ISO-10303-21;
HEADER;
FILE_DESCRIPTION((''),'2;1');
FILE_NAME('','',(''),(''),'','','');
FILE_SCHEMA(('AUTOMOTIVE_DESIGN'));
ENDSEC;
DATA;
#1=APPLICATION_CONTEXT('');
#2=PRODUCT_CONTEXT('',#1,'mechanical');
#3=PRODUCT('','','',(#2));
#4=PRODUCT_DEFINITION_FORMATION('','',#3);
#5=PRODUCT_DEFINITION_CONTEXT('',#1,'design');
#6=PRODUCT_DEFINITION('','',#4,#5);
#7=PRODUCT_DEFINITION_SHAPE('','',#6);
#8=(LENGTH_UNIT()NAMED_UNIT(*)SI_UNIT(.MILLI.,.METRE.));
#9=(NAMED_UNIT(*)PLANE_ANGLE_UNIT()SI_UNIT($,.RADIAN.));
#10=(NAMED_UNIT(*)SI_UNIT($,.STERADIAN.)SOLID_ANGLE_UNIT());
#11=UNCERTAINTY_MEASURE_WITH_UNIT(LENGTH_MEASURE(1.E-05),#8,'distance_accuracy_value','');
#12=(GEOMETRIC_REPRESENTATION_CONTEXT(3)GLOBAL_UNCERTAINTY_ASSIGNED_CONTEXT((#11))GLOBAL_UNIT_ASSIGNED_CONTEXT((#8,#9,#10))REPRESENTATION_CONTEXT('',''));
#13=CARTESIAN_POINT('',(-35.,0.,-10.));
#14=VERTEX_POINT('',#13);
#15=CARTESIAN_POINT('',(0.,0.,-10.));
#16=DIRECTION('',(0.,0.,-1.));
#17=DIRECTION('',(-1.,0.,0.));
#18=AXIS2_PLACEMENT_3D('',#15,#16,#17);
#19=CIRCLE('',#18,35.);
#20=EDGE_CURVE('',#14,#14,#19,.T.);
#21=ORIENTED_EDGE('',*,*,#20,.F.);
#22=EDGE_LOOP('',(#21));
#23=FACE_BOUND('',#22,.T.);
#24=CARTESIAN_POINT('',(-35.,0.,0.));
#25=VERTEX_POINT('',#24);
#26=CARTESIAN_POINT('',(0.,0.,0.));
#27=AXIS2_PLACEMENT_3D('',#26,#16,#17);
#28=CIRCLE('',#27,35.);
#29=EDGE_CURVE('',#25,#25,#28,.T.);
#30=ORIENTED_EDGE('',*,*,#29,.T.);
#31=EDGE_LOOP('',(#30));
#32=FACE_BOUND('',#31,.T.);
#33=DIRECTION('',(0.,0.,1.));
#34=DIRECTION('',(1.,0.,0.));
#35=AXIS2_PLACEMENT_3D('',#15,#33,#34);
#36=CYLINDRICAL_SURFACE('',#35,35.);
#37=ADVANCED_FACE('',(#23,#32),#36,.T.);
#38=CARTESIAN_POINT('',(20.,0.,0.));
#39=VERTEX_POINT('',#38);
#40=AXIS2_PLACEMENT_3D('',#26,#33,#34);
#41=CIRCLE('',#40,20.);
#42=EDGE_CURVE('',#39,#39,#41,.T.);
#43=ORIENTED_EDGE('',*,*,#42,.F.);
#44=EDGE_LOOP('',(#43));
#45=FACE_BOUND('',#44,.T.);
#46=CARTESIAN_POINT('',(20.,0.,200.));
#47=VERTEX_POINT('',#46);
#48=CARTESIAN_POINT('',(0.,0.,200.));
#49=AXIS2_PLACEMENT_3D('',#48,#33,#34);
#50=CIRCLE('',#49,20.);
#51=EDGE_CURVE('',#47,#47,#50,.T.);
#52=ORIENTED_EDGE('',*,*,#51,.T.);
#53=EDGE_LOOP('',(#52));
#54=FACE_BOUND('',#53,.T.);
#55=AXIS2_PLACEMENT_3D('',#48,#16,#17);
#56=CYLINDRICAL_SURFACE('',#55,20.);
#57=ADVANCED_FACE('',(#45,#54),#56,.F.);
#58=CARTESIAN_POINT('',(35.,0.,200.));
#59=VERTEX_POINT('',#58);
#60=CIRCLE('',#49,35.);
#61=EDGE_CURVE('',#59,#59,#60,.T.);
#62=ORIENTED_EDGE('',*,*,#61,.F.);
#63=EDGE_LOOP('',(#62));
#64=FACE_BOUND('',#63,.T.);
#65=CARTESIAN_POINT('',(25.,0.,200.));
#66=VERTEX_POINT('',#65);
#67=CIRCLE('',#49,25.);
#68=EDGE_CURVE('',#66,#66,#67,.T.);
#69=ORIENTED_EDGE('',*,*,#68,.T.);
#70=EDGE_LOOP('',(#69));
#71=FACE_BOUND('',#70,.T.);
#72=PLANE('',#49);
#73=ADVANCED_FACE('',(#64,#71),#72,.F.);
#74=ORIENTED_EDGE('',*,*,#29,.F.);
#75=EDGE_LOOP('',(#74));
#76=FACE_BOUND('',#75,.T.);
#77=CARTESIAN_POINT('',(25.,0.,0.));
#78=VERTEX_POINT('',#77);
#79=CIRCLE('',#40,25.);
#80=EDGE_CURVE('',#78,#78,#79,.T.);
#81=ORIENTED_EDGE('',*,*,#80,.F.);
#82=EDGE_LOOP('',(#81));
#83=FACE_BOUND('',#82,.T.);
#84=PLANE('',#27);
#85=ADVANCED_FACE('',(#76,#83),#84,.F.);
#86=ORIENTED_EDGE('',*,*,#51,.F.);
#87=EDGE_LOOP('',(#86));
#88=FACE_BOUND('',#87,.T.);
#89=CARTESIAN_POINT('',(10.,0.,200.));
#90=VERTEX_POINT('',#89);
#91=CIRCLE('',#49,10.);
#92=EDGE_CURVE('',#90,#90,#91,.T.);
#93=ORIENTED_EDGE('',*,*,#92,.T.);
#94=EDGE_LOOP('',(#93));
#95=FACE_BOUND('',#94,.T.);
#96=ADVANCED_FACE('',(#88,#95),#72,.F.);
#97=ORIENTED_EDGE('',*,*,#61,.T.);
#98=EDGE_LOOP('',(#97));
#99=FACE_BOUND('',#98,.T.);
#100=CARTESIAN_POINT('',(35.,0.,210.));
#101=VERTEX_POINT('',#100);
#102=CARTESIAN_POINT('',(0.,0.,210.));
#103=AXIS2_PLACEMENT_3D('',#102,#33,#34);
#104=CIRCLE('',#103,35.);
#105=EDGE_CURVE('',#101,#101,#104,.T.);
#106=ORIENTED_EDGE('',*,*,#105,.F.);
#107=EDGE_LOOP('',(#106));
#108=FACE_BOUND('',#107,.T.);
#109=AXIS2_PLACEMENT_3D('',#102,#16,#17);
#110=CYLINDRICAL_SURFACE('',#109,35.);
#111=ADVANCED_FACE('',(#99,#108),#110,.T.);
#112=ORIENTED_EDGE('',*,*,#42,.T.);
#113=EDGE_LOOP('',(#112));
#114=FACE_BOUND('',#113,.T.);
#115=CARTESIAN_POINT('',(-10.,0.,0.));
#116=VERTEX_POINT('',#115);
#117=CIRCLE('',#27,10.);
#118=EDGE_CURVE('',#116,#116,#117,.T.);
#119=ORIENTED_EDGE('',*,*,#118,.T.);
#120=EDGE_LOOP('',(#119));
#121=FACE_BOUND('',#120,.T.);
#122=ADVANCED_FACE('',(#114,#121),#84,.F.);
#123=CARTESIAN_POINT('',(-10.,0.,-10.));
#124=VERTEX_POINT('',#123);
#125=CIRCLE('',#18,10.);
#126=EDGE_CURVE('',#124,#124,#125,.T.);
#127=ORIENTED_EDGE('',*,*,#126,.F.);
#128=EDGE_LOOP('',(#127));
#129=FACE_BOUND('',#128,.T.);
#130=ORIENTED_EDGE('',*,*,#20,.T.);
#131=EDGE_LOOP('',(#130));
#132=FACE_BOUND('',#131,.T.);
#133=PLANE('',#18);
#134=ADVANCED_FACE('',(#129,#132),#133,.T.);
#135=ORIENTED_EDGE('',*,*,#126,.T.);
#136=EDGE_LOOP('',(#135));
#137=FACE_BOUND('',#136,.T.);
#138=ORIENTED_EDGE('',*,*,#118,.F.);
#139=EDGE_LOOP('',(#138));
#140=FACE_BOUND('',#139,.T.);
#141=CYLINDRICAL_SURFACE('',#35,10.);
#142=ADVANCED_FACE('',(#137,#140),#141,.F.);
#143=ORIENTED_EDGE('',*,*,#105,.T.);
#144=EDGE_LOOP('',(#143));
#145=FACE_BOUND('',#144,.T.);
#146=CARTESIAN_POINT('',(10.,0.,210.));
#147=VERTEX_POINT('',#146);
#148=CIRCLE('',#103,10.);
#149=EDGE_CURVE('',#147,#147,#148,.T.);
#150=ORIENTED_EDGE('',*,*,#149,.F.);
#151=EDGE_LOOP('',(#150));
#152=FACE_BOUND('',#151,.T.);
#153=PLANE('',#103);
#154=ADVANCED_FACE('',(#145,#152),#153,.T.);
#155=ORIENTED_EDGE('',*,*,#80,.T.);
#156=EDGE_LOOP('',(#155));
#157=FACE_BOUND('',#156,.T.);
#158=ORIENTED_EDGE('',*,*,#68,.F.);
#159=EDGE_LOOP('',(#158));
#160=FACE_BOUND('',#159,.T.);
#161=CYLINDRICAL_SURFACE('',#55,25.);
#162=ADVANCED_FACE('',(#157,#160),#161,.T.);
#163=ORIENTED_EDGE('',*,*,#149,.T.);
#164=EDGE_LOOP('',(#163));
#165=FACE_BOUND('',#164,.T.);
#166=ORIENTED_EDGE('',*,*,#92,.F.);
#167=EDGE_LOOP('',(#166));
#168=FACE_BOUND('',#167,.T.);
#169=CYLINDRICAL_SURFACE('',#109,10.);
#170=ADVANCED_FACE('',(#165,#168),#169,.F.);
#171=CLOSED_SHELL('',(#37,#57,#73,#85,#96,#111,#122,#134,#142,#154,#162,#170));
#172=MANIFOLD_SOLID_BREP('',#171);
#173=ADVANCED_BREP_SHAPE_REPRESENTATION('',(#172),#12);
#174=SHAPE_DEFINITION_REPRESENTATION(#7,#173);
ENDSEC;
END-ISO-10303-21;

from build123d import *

# Parameters (mm, degrees)
SKETCH1_R           = 25
SKETCH1_R_2         = 20
BOSS_EXTRUDE2_DEPTH = 200
SKETCH4_R           = 35
SKETCH4_R_2         = 10
BOSS_EXTRUDE3_DEPTH = 10
BOSS_EXTRUDE4_START = 10
SKETCH5_R           = 35
SKETCH5_R_2         = 10
BOSS_EXTRUDE4_DEPTH = 10


with BuildPart() as part:
    # Sketch1 → Boss-Extrude2 (new body)
    with BuildSketch(Plane.XY):
        Circle(SKETCH1_R)
        Circle(SKETCH1_R_2, mode=Mode.SUBTRACT)
    extrude(amount=BOSS_EXTRUDE2_DEPTH)

    # Sketch4 → Boss-Extrude3 (add)
    with BuildSketch(Plane.XY.offset(200)):
        Circle(SKETCH4_R)
        Circle(SKETCH4_R_2, mode=Mode.SUBTRACT)
    extrude(amount=BOSS_EXTRUDE3_DEPTH)

    # Sketch5 → Boss-Extrude4 (add)
    with BuildSketch(Plane(origin=(0, 0, 0), x_dir=(-1, 0, 0), z_dir=(0, 0, -1)).offset(BOSS_EXTRUDE4_START)):
        with Locations(Location((0, 0, 0), (0, 0, 180))):
            Circle(SKETCH5_R)
        with Locations(Location((0, 0, 0), (0, 0, 180))):
            Circle(SKETCH5_R_2, mode=Mode.SUBTRACT)
    extrude(amount=-BOSS_EXTRUDE4_DEPTH)


solid = part.part
